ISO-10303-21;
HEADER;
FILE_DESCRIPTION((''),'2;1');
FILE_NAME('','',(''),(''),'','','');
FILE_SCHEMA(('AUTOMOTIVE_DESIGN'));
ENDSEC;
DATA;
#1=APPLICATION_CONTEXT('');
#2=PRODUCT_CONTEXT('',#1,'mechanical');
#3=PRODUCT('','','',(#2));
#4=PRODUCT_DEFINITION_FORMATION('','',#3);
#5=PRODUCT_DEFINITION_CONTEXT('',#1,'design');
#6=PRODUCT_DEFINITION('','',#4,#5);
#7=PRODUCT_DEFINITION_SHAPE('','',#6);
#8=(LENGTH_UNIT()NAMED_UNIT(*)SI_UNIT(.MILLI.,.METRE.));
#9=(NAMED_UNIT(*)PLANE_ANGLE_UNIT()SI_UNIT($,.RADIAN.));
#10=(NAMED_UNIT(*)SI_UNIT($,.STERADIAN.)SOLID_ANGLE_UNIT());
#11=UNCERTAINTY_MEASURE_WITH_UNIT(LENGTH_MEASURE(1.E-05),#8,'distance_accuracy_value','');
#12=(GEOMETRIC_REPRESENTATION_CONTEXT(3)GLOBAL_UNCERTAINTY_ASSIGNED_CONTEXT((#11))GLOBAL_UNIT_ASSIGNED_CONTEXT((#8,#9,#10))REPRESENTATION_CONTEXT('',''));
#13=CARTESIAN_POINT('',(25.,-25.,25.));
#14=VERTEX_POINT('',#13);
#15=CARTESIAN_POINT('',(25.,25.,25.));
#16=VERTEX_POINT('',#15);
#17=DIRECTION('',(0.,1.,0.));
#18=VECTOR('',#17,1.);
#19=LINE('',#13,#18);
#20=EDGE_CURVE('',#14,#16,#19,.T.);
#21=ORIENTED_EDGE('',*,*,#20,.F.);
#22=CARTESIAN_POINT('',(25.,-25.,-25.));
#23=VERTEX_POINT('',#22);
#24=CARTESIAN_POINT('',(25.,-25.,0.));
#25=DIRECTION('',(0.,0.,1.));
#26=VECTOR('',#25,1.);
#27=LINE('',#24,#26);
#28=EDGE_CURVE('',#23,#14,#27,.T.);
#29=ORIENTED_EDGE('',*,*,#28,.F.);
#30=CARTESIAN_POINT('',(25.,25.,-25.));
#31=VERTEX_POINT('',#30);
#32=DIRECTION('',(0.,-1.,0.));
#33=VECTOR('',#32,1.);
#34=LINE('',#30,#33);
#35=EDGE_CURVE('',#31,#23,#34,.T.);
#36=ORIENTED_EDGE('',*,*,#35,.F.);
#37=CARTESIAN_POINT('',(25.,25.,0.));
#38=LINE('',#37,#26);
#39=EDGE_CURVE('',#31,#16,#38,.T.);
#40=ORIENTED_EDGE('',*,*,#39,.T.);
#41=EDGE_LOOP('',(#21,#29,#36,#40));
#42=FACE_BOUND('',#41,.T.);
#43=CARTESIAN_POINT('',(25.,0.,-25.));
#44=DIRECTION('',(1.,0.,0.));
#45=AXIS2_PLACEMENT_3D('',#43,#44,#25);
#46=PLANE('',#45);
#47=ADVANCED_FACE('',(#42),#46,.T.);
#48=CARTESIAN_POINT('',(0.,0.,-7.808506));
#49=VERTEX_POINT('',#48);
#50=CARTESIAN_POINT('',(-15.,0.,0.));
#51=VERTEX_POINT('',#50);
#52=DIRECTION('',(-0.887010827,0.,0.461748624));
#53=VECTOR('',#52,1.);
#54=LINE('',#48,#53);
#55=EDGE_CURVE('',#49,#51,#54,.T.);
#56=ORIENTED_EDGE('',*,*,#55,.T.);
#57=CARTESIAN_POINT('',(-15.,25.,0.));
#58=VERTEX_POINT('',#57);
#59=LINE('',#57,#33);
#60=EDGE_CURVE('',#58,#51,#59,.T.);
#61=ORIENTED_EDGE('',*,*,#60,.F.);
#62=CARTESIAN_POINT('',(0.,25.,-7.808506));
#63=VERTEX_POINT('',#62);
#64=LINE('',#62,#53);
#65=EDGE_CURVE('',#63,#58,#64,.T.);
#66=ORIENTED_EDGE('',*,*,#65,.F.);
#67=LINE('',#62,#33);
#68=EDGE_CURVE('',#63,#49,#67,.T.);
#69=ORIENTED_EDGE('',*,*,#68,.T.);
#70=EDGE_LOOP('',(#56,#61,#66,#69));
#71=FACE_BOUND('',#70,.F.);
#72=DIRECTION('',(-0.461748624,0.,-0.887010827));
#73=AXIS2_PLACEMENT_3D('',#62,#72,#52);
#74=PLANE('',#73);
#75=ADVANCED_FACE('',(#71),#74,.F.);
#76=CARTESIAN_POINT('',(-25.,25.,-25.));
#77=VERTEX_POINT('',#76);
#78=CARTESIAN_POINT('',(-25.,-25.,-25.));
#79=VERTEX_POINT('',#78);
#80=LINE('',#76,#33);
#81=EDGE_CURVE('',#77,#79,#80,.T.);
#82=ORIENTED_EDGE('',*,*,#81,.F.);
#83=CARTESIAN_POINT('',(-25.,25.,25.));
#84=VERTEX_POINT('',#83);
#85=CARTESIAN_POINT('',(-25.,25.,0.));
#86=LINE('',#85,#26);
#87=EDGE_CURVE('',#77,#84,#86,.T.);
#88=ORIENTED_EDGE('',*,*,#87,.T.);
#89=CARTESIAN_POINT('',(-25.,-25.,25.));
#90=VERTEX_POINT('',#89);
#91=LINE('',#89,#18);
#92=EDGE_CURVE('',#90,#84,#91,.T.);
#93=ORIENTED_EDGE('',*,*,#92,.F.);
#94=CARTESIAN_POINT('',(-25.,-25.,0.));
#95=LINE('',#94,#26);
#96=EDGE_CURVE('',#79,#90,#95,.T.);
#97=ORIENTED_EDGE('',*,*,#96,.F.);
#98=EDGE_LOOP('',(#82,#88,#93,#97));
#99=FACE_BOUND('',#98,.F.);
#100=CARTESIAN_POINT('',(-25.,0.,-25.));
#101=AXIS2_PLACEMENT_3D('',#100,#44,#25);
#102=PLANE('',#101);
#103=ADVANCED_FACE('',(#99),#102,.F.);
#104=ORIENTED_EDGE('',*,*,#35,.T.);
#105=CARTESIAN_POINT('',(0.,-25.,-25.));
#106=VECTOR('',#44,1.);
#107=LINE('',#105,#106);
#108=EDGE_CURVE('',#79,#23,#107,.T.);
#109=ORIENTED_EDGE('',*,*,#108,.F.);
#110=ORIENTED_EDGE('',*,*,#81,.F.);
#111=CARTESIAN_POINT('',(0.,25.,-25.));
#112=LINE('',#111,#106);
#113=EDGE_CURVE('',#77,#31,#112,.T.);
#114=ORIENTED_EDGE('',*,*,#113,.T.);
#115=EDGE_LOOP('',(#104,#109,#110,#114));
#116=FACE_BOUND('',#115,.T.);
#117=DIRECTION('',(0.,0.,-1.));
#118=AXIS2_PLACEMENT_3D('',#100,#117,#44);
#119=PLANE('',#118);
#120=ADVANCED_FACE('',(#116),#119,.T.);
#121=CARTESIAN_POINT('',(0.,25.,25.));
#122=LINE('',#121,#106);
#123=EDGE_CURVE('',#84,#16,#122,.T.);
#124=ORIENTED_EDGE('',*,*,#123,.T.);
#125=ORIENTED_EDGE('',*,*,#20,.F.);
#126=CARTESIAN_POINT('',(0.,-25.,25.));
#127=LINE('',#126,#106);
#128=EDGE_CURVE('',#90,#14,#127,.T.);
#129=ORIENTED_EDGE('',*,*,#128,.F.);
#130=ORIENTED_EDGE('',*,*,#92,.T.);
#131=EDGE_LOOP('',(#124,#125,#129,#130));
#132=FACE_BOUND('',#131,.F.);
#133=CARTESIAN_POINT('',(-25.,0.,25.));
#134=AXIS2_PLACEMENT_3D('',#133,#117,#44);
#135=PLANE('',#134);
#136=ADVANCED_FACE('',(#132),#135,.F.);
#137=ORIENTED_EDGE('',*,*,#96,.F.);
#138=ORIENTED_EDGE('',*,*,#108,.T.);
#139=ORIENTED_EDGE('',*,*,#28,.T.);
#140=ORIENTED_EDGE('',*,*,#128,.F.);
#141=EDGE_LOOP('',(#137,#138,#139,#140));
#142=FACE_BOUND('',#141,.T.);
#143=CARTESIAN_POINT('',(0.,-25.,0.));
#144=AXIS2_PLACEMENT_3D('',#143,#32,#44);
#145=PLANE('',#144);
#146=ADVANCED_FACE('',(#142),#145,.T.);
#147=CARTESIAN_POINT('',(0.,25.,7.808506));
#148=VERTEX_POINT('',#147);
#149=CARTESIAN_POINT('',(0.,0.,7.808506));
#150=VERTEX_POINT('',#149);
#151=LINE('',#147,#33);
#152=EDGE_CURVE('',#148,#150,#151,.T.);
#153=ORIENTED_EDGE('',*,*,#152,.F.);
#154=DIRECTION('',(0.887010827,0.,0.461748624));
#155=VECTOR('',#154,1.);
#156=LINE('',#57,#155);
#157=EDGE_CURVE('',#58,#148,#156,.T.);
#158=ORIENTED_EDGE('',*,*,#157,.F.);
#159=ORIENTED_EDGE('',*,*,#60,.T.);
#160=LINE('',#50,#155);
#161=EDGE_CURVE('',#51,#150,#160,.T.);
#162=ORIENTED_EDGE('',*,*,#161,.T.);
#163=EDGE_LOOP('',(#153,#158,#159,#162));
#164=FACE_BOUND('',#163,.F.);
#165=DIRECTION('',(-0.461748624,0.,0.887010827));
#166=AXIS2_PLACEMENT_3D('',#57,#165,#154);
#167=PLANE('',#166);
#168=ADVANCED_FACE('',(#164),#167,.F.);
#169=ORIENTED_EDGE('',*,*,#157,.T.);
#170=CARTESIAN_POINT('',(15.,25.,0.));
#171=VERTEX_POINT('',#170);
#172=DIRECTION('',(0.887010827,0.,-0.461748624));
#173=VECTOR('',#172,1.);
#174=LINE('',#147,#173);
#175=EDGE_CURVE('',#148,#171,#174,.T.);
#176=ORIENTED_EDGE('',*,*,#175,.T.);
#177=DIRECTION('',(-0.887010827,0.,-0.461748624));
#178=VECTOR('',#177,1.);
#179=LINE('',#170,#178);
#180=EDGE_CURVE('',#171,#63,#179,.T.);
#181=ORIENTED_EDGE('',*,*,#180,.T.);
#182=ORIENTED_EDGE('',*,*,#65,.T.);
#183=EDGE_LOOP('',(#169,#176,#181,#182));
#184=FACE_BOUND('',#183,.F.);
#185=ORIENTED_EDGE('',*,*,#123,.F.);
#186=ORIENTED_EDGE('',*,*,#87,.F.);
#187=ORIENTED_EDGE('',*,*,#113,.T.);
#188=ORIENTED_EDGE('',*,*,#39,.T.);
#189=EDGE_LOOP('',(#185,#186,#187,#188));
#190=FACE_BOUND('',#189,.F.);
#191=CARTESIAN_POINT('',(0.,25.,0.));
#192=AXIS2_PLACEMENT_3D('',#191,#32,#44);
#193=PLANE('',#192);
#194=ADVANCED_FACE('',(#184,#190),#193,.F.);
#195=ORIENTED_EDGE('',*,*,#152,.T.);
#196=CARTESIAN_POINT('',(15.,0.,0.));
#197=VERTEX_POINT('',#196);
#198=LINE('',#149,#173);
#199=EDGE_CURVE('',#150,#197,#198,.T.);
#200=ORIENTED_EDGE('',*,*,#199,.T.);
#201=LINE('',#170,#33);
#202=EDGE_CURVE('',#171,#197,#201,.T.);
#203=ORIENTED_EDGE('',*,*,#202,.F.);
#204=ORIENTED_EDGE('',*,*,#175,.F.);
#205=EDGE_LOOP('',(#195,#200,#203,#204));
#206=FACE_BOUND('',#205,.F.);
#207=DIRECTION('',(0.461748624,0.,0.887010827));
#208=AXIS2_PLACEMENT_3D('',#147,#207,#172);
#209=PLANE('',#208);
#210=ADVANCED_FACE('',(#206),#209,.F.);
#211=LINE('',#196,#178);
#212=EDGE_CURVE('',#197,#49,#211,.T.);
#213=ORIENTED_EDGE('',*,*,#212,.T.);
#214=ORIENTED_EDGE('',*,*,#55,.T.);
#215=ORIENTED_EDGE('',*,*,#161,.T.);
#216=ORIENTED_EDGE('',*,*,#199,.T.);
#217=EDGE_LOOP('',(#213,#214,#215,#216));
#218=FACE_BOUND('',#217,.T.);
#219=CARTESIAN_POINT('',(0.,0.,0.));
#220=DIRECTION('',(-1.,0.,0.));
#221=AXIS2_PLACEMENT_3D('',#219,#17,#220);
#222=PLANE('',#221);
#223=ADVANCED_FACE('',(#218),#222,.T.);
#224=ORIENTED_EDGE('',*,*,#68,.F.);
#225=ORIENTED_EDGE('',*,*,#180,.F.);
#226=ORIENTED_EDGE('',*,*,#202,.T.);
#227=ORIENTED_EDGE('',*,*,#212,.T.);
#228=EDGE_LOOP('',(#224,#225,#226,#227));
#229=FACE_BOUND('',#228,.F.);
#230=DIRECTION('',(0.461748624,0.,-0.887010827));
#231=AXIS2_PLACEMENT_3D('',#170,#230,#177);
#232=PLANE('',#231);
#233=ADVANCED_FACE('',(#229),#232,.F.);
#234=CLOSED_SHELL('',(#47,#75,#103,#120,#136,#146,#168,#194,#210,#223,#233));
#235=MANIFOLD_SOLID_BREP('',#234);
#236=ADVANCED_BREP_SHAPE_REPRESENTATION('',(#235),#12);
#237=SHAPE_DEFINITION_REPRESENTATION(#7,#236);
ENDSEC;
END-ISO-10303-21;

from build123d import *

# Parameters (mm, degrees)
F0_W     = 50
F0_H     = 50
F1_DEPTH = 25
F3_DEPTH = 25


with BuildPart() as f1:
    # F0 (on Front) → F1 (new body, symmetric)
    with BuildSketch(Plane.XZ):
        Rectangle(F0_W, F0_H)
    extrude(amount=F1_DEPTH, both=True)

    # F2 (on face) → F3 (cut)
    with BuildSketch(Plane(origin=(0, 25, 0), x_dir=(-1, 0, 0), z_dir=(0, 1, 0))):
        Polygon((15, 0), (0, 7.808506), (-15, 0), (0, -7.808506), align=None)
    extrude(amount=-F3_DEPTH, mode=Mode.SUBTRACT)


solid = f1.part
